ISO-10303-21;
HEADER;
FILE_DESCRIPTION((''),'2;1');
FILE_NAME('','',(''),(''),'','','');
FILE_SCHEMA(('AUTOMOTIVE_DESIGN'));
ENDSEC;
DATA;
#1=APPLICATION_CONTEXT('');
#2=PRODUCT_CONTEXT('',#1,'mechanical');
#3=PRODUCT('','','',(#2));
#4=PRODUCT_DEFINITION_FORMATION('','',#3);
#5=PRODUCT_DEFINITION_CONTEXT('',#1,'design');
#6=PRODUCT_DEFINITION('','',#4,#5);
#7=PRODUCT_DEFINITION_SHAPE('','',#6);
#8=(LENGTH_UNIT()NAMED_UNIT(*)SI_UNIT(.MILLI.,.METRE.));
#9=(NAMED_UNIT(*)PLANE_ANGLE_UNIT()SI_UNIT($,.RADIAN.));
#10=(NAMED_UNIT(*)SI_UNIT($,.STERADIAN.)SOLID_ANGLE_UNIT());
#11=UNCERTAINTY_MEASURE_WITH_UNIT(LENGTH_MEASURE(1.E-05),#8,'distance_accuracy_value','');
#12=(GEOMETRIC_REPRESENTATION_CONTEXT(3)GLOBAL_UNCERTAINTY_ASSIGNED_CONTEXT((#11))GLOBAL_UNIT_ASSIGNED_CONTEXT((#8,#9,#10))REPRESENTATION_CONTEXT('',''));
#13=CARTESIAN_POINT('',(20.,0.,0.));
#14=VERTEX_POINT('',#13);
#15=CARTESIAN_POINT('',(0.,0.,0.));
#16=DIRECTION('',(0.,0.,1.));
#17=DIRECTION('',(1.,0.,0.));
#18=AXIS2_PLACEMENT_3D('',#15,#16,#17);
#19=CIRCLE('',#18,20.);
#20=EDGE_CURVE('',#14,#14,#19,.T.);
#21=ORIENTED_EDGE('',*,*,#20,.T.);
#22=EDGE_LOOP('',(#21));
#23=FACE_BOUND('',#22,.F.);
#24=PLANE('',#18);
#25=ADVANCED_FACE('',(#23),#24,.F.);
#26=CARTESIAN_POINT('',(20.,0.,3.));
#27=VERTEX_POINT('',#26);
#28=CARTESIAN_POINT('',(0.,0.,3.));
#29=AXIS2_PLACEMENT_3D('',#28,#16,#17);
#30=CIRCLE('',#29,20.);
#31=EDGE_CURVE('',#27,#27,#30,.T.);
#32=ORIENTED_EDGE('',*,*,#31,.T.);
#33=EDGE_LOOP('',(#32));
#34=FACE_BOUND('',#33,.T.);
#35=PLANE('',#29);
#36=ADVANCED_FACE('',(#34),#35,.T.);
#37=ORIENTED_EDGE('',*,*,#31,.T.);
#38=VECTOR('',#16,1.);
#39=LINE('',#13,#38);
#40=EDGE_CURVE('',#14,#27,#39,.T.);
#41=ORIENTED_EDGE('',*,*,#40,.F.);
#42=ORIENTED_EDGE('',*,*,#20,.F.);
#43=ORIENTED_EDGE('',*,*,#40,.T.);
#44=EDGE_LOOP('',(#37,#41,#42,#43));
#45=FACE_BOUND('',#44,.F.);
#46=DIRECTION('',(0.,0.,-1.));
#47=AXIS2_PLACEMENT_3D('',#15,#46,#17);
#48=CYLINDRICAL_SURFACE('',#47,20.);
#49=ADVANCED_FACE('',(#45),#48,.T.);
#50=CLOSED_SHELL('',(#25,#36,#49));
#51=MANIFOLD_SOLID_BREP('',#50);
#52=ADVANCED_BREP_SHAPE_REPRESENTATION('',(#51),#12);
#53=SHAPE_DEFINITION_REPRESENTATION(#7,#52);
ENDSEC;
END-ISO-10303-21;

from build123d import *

# Parameters (mm, degrees)
CYLINDER_R     = 20
CYLINDER_DEPTH = 3


with BuildPart() as part:
    # Cylinder → Cylinder (new body)
    with BuildSketch(Plane.XY):
        Circle(CYLINDER_R)
    extrude(amount=CYLINDER_DEPTH)


solid = part.part
